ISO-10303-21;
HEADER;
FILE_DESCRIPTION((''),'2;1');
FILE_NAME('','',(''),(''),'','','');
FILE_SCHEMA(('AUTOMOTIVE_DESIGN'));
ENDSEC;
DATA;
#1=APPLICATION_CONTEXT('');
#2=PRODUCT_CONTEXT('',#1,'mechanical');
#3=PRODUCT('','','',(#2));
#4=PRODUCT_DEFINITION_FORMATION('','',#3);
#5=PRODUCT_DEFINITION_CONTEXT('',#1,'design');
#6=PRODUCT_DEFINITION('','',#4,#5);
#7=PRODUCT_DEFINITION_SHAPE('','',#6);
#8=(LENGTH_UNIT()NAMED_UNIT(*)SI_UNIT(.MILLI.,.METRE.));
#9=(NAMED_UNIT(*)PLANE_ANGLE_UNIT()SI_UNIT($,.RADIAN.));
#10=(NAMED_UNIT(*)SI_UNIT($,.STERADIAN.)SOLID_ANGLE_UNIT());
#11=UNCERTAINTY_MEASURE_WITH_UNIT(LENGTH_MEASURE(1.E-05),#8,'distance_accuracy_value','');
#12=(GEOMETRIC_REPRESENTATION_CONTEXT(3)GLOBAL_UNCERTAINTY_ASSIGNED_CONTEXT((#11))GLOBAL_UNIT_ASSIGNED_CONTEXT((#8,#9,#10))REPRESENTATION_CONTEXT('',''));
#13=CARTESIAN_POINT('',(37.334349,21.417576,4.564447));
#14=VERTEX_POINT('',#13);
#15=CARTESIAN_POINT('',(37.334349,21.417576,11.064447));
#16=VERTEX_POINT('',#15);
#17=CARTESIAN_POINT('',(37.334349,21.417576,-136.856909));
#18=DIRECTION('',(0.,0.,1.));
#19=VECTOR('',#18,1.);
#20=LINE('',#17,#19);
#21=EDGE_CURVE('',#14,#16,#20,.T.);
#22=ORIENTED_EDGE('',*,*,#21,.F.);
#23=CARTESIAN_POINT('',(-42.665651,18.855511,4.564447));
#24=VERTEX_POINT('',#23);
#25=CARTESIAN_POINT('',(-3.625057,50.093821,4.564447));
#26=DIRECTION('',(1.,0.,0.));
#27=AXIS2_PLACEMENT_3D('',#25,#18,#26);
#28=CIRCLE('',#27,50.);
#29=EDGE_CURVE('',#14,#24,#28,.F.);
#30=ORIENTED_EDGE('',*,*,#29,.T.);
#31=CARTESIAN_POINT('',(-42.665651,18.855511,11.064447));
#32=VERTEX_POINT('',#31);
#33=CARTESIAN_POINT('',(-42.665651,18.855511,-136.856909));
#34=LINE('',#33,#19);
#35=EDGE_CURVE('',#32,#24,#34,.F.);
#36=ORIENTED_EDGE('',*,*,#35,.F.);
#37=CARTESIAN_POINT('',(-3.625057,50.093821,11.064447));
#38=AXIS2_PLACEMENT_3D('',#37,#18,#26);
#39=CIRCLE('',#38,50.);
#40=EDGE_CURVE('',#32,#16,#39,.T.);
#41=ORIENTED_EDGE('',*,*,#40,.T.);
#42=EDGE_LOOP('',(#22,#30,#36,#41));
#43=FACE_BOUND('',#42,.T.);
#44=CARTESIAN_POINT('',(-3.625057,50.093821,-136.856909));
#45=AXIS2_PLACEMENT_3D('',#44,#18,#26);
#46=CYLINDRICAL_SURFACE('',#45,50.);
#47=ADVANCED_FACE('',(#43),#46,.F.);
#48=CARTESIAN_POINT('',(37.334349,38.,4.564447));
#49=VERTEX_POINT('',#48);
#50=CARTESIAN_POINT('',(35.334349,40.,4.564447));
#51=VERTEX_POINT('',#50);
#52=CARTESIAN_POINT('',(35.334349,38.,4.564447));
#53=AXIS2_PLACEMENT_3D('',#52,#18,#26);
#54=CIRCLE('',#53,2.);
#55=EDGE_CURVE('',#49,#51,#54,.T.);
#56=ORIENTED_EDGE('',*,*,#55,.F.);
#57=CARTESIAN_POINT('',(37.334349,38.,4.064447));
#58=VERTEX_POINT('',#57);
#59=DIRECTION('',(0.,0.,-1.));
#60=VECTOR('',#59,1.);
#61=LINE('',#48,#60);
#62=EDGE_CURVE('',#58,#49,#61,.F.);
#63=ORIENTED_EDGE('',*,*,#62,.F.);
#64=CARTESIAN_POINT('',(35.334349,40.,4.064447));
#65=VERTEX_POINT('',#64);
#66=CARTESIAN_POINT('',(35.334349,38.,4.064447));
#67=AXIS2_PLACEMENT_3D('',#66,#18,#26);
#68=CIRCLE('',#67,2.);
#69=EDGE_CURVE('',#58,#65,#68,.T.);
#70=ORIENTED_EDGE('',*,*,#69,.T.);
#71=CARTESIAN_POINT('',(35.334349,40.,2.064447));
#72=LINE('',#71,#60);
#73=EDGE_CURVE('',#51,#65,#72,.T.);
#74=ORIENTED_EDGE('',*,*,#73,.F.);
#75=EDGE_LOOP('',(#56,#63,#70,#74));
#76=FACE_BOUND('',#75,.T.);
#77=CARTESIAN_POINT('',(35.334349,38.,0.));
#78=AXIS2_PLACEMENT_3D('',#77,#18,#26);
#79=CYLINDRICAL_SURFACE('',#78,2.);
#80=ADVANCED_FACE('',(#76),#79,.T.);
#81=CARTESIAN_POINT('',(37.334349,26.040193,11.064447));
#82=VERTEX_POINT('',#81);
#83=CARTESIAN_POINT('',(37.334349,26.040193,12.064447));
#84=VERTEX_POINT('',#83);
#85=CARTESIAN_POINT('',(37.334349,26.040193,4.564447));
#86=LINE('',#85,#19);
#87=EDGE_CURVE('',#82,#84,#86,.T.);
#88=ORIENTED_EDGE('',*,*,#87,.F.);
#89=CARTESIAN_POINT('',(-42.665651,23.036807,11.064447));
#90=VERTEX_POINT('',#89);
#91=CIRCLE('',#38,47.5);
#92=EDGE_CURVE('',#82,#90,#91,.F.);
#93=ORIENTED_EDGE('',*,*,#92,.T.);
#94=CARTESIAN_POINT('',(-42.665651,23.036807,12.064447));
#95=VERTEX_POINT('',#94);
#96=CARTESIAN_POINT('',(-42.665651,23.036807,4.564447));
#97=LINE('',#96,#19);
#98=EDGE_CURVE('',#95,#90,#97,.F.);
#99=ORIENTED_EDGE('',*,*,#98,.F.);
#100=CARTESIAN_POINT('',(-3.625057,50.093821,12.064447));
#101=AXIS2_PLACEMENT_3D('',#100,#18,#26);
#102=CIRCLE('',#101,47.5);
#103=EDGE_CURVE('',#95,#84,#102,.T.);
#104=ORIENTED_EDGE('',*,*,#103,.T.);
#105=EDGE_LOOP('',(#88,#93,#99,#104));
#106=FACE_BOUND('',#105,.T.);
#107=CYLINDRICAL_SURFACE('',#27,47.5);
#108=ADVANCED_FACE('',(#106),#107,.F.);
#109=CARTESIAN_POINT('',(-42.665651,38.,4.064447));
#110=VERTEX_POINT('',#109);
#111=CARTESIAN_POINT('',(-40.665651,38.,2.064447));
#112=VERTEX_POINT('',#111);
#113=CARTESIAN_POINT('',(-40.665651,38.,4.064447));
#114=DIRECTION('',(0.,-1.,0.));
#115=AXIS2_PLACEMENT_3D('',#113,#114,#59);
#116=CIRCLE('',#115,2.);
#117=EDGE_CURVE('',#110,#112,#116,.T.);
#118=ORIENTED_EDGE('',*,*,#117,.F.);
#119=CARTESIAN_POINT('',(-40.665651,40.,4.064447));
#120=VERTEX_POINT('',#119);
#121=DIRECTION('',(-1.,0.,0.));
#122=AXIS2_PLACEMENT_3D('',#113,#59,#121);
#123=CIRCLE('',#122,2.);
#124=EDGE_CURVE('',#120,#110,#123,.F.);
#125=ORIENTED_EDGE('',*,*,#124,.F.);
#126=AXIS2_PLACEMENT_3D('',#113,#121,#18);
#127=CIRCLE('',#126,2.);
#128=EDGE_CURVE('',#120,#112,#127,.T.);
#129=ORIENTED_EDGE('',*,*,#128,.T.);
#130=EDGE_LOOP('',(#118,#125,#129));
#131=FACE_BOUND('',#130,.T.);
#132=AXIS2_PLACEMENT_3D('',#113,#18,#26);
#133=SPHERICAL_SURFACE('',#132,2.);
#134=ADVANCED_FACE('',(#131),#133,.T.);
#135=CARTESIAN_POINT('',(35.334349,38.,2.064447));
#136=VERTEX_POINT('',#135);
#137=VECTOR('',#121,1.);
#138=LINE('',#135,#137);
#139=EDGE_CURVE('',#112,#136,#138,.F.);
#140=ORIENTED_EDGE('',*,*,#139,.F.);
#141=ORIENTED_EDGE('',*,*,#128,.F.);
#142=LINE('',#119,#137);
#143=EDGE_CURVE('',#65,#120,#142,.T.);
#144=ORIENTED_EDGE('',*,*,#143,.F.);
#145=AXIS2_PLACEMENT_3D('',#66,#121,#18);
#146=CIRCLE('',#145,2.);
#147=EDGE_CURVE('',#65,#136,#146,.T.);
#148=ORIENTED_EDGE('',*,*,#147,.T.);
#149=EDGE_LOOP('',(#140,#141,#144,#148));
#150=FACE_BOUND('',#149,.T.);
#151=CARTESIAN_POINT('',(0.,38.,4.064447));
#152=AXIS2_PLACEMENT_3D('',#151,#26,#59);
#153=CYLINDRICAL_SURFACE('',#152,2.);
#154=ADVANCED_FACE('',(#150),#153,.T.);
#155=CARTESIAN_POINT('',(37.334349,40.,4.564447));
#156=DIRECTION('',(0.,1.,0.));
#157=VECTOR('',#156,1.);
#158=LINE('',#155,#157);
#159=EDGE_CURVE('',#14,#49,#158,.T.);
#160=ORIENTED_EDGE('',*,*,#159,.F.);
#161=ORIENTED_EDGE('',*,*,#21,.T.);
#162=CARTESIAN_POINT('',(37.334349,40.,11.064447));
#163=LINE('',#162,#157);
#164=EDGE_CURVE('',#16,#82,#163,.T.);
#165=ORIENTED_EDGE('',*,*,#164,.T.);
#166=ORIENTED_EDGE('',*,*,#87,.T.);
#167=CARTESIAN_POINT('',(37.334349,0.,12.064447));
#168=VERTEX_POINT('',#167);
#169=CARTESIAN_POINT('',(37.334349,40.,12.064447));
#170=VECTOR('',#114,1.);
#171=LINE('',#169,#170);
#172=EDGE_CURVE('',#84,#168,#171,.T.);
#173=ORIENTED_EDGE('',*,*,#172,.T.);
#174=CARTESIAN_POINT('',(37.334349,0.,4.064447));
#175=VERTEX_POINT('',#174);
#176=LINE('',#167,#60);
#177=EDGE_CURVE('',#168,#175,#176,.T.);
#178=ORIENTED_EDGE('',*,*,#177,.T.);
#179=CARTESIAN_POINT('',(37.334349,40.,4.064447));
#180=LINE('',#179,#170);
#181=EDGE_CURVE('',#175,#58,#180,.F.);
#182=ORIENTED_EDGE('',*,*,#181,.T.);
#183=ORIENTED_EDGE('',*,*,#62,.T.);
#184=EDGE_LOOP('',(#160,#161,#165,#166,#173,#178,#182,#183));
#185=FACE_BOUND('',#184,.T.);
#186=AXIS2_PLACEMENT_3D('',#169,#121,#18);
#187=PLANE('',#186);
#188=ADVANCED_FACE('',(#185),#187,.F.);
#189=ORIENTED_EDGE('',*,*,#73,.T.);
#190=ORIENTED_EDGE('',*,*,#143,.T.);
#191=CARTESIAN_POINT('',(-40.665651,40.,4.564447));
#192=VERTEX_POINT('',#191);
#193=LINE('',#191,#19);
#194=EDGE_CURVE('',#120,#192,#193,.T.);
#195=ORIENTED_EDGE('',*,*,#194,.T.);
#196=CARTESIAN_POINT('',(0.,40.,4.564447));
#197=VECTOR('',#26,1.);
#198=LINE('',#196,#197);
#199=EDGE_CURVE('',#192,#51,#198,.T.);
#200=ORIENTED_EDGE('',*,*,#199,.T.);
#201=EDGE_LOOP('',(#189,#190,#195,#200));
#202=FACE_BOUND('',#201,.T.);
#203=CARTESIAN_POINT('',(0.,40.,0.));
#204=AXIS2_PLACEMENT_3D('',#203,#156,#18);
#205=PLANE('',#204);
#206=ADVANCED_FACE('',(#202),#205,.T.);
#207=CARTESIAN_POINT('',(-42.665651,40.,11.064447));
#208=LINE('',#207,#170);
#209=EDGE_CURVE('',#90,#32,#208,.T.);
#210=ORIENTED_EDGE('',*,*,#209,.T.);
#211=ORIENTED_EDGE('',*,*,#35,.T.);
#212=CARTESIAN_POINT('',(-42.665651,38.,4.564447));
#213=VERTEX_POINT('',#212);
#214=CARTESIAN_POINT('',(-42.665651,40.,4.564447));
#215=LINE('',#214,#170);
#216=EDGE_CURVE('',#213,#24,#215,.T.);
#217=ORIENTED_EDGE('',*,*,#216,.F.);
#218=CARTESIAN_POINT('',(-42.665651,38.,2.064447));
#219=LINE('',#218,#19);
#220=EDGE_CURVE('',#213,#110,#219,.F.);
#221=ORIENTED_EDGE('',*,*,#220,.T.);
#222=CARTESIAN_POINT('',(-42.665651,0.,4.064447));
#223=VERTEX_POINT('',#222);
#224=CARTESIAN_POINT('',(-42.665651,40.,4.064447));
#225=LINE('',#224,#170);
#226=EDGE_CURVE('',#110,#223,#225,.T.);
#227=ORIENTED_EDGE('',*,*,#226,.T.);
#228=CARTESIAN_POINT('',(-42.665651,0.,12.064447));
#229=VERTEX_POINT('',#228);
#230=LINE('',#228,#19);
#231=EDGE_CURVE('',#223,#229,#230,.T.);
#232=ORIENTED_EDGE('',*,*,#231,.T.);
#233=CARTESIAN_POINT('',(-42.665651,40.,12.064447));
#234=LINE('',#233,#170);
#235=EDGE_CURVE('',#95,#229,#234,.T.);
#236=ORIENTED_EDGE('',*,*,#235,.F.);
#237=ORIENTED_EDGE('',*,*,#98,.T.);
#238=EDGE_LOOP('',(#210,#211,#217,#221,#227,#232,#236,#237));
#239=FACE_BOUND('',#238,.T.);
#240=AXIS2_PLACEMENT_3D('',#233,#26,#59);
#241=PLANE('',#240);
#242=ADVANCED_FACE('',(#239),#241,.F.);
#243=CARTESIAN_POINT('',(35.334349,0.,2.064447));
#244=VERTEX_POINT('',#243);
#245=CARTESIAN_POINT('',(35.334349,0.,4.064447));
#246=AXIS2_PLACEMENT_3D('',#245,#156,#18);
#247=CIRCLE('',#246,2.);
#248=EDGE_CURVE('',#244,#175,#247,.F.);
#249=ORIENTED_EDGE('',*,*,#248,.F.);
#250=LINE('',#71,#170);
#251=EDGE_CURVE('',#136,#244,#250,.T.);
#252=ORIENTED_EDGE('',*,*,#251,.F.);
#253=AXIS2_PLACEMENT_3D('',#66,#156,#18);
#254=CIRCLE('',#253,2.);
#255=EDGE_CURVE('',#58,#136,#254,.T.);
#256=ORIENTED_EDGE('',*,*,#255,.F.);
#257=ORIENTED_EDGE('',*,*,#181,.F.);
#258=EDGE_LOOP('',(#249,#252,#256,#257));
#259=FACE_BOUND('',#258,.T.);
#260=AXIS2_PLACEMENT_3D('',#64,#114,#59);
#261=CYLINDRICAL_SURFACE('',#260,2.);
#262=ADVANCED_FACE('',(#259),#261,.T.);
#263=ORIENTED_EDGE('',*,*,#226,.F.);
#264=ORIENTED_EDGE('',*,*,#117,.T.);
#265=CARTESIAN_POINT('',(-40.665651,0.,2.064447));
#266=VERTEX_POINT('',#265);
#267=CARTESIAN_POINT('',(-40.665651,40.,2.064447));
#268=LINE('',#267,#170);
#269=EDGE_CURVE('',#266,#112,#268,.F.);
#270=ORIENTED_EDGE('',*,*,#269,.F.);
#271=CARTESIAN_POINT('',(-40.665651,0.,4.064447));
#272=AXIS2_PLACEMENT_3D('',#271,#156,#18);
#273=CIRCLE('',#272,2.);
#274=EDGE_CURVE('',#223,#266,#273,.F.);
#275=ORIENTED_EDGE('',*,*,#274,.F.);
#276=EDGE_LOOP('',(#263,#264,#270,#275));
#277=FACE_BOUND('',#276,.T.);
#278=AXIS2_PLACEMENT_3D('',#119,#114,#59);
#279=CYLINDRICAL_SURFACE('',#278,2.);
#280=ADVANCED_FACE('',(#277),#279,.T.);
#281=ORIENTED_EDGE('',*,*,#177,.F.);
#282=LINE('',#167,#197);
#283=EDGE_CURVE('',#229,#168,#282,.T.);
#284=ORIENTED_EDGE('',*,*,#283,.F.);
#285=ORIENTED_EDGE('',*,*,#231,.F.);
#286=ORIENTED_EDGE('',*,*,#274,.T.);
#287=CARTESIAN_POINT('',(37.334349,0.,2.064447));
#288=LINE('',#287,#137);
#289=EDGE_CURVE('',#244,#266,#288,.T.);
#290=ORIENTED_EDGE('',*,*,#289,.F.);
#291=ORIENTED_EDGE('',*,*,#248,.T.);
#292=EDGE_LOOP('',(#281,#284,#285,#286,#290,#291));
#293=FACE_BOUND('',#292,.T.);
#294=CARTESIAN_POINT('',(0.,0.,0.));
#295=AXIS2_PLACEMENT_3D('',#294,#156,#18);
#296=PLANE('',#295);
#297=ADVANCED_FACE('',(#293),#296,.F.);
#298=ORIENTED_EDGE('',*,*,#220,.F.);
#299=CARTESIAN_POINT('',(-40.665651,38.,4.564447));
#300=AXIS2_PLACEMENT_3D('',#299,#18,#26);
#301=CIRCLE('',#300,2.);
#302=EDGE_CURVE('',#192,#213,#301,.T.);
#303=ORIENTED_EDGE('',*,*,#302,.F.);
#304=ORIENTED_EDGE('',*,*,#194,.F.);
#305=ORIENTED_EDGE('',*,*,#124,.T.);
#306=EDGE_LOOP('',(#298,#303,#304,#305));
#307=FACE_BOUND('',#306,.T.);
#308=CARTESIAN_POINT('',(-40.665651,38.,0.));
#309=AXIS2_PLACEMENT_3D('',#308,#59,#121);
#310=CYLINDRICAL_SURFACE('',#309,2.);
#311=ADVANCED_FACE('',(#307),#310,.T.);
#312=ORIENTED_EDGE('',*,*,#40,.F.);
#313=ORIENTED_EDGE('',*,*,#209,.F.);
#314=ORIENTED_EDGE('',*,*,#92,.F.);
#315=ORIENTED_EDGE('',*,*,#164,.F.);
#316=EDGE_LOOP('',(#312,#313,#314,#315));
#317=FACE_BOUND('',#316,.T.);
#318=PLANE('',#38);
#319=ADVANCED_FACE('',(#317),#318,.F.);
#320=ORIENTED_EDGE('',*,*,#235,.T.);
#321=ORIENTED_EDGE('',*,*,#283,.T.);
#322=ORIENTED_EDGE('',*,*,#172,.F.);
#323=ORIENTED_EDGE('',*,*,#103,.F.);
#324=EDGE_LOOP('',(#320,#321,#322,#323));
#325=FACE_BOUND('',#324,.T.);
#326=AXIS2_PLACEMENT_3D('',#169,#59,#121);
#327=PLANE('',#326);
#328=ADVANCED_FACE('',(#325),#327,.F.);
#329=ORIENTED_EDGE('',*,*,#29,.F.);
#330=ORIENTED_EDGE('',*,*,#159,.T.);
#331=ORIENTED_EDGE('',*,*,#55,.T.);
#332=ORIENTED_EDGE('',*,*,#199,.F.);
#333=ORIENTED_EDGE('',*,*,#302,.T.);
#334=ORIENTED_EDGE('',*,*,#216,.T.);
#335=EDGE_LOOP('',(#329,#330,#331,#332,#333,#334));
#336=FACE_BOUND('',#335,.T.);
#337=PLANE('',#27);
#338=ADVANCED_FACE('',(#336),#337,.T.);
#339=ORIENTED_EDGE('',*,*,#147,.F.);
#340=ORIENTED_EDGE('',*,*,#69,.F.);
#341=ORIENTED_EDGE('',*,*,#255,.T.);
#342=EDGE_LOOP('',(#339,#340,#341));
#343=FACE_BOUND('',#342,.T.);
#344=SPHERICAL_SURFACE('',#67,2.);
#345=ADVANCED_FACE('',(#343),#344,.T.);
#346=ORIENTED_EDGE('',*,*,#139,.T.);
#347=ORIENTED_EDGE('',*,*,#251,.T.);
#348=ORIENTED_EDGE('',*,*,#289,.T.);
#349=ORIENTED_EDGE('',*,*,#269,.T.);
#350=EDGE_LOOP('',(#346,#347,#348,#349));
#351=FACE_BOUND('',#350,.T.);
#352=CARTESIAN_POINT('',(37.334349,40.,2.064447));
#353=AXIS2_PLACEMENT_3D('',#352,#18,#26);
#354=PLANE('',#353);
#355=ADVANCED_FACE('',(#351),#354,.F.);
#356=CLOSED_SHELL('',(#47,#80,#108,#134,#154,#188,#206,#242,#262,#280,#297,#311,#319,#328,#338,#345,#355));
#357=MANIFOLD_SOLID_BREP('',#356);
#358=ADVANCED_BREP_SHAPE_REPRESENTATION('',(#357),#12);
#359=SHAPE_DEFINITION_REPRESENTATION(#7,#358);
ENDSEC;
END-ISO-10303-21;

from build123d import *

# Parameters (mm, degrees)
SKETCH1_W           = 80
SKETCH1_H           = 10
BOSS_EXTRUDE1_DEPTH = 40
SKETCH2_R           = 47.5
CUT_EXTRUDE1_DEPTH  = 7.5
SKETCH3_R           = 50
CUT_EXTRUDE2_DEPTH  = 6.5
FILLET1_R           = 2
FILLET2_R           = 2


with BuildPart() as part:
    # Sketch1 → Boss-Extrude1 (new body)
    with BuildSketch(Plane(origin=(0, 0, 0), x_dir=(1, 0, 0), z_dir=(0, 1, 0))):
        with Locations((-2.66565113, -7.064446738)):
            Rectangle(SKETCH1_W, SKETCH1_H)
    extrude(amount=BOSS_EXTRUDE1_DEPTH)

    # Sketch2 → Cut-Extrude1 (cut)
    with BuildSketch(Plane.XY.offset(12.064446738)):
        with Locations((-3.625057346, 50.093821186)):
            Circle(SKETCH2_R)
    extrude(amount=-CUT_EXTRUDE1_DEPTH, mode=Mode.SUBTRACT)

    # Sketch3 → Cut-Extrude2 (cut)
    with BuildSketch(Plane.XY.offset(11.064446738)):
        with Locations((-3.625057346, 50.093821186)):
            Circle(SKETCH3_R)
    extrude(amount=-CUT_EXTRUDE2_DEPTH, mode=Mode.SUBTRACT)

    # Fillet1
    fillet1_edges = [part.edges().sort_by_distance(p)[0] for p in [
        (-42.66565113, 40, 3.314446738),
        (37.33434887, 40, 3.314446738),
    ]]
    fillet(fillet1_edges, radius=FILLET1_R)

    # Fillet2
    fillet2_edges = [part.edges().sort_by_distance(p)[0] for p in [
        (-2.66565113, 40, 2.064446738),
        (-42.66565113, 19, 2.064446738),
        (37.33434887, 19, 2.064446738),
        (-42.079864693, 39.414213562, 2.064446738),
        (36.748562432, 39.414213562, 2.064446738),
    ]]
    fillet(fillet2_edges, radius=FILLET2_R)


solid = part.part
